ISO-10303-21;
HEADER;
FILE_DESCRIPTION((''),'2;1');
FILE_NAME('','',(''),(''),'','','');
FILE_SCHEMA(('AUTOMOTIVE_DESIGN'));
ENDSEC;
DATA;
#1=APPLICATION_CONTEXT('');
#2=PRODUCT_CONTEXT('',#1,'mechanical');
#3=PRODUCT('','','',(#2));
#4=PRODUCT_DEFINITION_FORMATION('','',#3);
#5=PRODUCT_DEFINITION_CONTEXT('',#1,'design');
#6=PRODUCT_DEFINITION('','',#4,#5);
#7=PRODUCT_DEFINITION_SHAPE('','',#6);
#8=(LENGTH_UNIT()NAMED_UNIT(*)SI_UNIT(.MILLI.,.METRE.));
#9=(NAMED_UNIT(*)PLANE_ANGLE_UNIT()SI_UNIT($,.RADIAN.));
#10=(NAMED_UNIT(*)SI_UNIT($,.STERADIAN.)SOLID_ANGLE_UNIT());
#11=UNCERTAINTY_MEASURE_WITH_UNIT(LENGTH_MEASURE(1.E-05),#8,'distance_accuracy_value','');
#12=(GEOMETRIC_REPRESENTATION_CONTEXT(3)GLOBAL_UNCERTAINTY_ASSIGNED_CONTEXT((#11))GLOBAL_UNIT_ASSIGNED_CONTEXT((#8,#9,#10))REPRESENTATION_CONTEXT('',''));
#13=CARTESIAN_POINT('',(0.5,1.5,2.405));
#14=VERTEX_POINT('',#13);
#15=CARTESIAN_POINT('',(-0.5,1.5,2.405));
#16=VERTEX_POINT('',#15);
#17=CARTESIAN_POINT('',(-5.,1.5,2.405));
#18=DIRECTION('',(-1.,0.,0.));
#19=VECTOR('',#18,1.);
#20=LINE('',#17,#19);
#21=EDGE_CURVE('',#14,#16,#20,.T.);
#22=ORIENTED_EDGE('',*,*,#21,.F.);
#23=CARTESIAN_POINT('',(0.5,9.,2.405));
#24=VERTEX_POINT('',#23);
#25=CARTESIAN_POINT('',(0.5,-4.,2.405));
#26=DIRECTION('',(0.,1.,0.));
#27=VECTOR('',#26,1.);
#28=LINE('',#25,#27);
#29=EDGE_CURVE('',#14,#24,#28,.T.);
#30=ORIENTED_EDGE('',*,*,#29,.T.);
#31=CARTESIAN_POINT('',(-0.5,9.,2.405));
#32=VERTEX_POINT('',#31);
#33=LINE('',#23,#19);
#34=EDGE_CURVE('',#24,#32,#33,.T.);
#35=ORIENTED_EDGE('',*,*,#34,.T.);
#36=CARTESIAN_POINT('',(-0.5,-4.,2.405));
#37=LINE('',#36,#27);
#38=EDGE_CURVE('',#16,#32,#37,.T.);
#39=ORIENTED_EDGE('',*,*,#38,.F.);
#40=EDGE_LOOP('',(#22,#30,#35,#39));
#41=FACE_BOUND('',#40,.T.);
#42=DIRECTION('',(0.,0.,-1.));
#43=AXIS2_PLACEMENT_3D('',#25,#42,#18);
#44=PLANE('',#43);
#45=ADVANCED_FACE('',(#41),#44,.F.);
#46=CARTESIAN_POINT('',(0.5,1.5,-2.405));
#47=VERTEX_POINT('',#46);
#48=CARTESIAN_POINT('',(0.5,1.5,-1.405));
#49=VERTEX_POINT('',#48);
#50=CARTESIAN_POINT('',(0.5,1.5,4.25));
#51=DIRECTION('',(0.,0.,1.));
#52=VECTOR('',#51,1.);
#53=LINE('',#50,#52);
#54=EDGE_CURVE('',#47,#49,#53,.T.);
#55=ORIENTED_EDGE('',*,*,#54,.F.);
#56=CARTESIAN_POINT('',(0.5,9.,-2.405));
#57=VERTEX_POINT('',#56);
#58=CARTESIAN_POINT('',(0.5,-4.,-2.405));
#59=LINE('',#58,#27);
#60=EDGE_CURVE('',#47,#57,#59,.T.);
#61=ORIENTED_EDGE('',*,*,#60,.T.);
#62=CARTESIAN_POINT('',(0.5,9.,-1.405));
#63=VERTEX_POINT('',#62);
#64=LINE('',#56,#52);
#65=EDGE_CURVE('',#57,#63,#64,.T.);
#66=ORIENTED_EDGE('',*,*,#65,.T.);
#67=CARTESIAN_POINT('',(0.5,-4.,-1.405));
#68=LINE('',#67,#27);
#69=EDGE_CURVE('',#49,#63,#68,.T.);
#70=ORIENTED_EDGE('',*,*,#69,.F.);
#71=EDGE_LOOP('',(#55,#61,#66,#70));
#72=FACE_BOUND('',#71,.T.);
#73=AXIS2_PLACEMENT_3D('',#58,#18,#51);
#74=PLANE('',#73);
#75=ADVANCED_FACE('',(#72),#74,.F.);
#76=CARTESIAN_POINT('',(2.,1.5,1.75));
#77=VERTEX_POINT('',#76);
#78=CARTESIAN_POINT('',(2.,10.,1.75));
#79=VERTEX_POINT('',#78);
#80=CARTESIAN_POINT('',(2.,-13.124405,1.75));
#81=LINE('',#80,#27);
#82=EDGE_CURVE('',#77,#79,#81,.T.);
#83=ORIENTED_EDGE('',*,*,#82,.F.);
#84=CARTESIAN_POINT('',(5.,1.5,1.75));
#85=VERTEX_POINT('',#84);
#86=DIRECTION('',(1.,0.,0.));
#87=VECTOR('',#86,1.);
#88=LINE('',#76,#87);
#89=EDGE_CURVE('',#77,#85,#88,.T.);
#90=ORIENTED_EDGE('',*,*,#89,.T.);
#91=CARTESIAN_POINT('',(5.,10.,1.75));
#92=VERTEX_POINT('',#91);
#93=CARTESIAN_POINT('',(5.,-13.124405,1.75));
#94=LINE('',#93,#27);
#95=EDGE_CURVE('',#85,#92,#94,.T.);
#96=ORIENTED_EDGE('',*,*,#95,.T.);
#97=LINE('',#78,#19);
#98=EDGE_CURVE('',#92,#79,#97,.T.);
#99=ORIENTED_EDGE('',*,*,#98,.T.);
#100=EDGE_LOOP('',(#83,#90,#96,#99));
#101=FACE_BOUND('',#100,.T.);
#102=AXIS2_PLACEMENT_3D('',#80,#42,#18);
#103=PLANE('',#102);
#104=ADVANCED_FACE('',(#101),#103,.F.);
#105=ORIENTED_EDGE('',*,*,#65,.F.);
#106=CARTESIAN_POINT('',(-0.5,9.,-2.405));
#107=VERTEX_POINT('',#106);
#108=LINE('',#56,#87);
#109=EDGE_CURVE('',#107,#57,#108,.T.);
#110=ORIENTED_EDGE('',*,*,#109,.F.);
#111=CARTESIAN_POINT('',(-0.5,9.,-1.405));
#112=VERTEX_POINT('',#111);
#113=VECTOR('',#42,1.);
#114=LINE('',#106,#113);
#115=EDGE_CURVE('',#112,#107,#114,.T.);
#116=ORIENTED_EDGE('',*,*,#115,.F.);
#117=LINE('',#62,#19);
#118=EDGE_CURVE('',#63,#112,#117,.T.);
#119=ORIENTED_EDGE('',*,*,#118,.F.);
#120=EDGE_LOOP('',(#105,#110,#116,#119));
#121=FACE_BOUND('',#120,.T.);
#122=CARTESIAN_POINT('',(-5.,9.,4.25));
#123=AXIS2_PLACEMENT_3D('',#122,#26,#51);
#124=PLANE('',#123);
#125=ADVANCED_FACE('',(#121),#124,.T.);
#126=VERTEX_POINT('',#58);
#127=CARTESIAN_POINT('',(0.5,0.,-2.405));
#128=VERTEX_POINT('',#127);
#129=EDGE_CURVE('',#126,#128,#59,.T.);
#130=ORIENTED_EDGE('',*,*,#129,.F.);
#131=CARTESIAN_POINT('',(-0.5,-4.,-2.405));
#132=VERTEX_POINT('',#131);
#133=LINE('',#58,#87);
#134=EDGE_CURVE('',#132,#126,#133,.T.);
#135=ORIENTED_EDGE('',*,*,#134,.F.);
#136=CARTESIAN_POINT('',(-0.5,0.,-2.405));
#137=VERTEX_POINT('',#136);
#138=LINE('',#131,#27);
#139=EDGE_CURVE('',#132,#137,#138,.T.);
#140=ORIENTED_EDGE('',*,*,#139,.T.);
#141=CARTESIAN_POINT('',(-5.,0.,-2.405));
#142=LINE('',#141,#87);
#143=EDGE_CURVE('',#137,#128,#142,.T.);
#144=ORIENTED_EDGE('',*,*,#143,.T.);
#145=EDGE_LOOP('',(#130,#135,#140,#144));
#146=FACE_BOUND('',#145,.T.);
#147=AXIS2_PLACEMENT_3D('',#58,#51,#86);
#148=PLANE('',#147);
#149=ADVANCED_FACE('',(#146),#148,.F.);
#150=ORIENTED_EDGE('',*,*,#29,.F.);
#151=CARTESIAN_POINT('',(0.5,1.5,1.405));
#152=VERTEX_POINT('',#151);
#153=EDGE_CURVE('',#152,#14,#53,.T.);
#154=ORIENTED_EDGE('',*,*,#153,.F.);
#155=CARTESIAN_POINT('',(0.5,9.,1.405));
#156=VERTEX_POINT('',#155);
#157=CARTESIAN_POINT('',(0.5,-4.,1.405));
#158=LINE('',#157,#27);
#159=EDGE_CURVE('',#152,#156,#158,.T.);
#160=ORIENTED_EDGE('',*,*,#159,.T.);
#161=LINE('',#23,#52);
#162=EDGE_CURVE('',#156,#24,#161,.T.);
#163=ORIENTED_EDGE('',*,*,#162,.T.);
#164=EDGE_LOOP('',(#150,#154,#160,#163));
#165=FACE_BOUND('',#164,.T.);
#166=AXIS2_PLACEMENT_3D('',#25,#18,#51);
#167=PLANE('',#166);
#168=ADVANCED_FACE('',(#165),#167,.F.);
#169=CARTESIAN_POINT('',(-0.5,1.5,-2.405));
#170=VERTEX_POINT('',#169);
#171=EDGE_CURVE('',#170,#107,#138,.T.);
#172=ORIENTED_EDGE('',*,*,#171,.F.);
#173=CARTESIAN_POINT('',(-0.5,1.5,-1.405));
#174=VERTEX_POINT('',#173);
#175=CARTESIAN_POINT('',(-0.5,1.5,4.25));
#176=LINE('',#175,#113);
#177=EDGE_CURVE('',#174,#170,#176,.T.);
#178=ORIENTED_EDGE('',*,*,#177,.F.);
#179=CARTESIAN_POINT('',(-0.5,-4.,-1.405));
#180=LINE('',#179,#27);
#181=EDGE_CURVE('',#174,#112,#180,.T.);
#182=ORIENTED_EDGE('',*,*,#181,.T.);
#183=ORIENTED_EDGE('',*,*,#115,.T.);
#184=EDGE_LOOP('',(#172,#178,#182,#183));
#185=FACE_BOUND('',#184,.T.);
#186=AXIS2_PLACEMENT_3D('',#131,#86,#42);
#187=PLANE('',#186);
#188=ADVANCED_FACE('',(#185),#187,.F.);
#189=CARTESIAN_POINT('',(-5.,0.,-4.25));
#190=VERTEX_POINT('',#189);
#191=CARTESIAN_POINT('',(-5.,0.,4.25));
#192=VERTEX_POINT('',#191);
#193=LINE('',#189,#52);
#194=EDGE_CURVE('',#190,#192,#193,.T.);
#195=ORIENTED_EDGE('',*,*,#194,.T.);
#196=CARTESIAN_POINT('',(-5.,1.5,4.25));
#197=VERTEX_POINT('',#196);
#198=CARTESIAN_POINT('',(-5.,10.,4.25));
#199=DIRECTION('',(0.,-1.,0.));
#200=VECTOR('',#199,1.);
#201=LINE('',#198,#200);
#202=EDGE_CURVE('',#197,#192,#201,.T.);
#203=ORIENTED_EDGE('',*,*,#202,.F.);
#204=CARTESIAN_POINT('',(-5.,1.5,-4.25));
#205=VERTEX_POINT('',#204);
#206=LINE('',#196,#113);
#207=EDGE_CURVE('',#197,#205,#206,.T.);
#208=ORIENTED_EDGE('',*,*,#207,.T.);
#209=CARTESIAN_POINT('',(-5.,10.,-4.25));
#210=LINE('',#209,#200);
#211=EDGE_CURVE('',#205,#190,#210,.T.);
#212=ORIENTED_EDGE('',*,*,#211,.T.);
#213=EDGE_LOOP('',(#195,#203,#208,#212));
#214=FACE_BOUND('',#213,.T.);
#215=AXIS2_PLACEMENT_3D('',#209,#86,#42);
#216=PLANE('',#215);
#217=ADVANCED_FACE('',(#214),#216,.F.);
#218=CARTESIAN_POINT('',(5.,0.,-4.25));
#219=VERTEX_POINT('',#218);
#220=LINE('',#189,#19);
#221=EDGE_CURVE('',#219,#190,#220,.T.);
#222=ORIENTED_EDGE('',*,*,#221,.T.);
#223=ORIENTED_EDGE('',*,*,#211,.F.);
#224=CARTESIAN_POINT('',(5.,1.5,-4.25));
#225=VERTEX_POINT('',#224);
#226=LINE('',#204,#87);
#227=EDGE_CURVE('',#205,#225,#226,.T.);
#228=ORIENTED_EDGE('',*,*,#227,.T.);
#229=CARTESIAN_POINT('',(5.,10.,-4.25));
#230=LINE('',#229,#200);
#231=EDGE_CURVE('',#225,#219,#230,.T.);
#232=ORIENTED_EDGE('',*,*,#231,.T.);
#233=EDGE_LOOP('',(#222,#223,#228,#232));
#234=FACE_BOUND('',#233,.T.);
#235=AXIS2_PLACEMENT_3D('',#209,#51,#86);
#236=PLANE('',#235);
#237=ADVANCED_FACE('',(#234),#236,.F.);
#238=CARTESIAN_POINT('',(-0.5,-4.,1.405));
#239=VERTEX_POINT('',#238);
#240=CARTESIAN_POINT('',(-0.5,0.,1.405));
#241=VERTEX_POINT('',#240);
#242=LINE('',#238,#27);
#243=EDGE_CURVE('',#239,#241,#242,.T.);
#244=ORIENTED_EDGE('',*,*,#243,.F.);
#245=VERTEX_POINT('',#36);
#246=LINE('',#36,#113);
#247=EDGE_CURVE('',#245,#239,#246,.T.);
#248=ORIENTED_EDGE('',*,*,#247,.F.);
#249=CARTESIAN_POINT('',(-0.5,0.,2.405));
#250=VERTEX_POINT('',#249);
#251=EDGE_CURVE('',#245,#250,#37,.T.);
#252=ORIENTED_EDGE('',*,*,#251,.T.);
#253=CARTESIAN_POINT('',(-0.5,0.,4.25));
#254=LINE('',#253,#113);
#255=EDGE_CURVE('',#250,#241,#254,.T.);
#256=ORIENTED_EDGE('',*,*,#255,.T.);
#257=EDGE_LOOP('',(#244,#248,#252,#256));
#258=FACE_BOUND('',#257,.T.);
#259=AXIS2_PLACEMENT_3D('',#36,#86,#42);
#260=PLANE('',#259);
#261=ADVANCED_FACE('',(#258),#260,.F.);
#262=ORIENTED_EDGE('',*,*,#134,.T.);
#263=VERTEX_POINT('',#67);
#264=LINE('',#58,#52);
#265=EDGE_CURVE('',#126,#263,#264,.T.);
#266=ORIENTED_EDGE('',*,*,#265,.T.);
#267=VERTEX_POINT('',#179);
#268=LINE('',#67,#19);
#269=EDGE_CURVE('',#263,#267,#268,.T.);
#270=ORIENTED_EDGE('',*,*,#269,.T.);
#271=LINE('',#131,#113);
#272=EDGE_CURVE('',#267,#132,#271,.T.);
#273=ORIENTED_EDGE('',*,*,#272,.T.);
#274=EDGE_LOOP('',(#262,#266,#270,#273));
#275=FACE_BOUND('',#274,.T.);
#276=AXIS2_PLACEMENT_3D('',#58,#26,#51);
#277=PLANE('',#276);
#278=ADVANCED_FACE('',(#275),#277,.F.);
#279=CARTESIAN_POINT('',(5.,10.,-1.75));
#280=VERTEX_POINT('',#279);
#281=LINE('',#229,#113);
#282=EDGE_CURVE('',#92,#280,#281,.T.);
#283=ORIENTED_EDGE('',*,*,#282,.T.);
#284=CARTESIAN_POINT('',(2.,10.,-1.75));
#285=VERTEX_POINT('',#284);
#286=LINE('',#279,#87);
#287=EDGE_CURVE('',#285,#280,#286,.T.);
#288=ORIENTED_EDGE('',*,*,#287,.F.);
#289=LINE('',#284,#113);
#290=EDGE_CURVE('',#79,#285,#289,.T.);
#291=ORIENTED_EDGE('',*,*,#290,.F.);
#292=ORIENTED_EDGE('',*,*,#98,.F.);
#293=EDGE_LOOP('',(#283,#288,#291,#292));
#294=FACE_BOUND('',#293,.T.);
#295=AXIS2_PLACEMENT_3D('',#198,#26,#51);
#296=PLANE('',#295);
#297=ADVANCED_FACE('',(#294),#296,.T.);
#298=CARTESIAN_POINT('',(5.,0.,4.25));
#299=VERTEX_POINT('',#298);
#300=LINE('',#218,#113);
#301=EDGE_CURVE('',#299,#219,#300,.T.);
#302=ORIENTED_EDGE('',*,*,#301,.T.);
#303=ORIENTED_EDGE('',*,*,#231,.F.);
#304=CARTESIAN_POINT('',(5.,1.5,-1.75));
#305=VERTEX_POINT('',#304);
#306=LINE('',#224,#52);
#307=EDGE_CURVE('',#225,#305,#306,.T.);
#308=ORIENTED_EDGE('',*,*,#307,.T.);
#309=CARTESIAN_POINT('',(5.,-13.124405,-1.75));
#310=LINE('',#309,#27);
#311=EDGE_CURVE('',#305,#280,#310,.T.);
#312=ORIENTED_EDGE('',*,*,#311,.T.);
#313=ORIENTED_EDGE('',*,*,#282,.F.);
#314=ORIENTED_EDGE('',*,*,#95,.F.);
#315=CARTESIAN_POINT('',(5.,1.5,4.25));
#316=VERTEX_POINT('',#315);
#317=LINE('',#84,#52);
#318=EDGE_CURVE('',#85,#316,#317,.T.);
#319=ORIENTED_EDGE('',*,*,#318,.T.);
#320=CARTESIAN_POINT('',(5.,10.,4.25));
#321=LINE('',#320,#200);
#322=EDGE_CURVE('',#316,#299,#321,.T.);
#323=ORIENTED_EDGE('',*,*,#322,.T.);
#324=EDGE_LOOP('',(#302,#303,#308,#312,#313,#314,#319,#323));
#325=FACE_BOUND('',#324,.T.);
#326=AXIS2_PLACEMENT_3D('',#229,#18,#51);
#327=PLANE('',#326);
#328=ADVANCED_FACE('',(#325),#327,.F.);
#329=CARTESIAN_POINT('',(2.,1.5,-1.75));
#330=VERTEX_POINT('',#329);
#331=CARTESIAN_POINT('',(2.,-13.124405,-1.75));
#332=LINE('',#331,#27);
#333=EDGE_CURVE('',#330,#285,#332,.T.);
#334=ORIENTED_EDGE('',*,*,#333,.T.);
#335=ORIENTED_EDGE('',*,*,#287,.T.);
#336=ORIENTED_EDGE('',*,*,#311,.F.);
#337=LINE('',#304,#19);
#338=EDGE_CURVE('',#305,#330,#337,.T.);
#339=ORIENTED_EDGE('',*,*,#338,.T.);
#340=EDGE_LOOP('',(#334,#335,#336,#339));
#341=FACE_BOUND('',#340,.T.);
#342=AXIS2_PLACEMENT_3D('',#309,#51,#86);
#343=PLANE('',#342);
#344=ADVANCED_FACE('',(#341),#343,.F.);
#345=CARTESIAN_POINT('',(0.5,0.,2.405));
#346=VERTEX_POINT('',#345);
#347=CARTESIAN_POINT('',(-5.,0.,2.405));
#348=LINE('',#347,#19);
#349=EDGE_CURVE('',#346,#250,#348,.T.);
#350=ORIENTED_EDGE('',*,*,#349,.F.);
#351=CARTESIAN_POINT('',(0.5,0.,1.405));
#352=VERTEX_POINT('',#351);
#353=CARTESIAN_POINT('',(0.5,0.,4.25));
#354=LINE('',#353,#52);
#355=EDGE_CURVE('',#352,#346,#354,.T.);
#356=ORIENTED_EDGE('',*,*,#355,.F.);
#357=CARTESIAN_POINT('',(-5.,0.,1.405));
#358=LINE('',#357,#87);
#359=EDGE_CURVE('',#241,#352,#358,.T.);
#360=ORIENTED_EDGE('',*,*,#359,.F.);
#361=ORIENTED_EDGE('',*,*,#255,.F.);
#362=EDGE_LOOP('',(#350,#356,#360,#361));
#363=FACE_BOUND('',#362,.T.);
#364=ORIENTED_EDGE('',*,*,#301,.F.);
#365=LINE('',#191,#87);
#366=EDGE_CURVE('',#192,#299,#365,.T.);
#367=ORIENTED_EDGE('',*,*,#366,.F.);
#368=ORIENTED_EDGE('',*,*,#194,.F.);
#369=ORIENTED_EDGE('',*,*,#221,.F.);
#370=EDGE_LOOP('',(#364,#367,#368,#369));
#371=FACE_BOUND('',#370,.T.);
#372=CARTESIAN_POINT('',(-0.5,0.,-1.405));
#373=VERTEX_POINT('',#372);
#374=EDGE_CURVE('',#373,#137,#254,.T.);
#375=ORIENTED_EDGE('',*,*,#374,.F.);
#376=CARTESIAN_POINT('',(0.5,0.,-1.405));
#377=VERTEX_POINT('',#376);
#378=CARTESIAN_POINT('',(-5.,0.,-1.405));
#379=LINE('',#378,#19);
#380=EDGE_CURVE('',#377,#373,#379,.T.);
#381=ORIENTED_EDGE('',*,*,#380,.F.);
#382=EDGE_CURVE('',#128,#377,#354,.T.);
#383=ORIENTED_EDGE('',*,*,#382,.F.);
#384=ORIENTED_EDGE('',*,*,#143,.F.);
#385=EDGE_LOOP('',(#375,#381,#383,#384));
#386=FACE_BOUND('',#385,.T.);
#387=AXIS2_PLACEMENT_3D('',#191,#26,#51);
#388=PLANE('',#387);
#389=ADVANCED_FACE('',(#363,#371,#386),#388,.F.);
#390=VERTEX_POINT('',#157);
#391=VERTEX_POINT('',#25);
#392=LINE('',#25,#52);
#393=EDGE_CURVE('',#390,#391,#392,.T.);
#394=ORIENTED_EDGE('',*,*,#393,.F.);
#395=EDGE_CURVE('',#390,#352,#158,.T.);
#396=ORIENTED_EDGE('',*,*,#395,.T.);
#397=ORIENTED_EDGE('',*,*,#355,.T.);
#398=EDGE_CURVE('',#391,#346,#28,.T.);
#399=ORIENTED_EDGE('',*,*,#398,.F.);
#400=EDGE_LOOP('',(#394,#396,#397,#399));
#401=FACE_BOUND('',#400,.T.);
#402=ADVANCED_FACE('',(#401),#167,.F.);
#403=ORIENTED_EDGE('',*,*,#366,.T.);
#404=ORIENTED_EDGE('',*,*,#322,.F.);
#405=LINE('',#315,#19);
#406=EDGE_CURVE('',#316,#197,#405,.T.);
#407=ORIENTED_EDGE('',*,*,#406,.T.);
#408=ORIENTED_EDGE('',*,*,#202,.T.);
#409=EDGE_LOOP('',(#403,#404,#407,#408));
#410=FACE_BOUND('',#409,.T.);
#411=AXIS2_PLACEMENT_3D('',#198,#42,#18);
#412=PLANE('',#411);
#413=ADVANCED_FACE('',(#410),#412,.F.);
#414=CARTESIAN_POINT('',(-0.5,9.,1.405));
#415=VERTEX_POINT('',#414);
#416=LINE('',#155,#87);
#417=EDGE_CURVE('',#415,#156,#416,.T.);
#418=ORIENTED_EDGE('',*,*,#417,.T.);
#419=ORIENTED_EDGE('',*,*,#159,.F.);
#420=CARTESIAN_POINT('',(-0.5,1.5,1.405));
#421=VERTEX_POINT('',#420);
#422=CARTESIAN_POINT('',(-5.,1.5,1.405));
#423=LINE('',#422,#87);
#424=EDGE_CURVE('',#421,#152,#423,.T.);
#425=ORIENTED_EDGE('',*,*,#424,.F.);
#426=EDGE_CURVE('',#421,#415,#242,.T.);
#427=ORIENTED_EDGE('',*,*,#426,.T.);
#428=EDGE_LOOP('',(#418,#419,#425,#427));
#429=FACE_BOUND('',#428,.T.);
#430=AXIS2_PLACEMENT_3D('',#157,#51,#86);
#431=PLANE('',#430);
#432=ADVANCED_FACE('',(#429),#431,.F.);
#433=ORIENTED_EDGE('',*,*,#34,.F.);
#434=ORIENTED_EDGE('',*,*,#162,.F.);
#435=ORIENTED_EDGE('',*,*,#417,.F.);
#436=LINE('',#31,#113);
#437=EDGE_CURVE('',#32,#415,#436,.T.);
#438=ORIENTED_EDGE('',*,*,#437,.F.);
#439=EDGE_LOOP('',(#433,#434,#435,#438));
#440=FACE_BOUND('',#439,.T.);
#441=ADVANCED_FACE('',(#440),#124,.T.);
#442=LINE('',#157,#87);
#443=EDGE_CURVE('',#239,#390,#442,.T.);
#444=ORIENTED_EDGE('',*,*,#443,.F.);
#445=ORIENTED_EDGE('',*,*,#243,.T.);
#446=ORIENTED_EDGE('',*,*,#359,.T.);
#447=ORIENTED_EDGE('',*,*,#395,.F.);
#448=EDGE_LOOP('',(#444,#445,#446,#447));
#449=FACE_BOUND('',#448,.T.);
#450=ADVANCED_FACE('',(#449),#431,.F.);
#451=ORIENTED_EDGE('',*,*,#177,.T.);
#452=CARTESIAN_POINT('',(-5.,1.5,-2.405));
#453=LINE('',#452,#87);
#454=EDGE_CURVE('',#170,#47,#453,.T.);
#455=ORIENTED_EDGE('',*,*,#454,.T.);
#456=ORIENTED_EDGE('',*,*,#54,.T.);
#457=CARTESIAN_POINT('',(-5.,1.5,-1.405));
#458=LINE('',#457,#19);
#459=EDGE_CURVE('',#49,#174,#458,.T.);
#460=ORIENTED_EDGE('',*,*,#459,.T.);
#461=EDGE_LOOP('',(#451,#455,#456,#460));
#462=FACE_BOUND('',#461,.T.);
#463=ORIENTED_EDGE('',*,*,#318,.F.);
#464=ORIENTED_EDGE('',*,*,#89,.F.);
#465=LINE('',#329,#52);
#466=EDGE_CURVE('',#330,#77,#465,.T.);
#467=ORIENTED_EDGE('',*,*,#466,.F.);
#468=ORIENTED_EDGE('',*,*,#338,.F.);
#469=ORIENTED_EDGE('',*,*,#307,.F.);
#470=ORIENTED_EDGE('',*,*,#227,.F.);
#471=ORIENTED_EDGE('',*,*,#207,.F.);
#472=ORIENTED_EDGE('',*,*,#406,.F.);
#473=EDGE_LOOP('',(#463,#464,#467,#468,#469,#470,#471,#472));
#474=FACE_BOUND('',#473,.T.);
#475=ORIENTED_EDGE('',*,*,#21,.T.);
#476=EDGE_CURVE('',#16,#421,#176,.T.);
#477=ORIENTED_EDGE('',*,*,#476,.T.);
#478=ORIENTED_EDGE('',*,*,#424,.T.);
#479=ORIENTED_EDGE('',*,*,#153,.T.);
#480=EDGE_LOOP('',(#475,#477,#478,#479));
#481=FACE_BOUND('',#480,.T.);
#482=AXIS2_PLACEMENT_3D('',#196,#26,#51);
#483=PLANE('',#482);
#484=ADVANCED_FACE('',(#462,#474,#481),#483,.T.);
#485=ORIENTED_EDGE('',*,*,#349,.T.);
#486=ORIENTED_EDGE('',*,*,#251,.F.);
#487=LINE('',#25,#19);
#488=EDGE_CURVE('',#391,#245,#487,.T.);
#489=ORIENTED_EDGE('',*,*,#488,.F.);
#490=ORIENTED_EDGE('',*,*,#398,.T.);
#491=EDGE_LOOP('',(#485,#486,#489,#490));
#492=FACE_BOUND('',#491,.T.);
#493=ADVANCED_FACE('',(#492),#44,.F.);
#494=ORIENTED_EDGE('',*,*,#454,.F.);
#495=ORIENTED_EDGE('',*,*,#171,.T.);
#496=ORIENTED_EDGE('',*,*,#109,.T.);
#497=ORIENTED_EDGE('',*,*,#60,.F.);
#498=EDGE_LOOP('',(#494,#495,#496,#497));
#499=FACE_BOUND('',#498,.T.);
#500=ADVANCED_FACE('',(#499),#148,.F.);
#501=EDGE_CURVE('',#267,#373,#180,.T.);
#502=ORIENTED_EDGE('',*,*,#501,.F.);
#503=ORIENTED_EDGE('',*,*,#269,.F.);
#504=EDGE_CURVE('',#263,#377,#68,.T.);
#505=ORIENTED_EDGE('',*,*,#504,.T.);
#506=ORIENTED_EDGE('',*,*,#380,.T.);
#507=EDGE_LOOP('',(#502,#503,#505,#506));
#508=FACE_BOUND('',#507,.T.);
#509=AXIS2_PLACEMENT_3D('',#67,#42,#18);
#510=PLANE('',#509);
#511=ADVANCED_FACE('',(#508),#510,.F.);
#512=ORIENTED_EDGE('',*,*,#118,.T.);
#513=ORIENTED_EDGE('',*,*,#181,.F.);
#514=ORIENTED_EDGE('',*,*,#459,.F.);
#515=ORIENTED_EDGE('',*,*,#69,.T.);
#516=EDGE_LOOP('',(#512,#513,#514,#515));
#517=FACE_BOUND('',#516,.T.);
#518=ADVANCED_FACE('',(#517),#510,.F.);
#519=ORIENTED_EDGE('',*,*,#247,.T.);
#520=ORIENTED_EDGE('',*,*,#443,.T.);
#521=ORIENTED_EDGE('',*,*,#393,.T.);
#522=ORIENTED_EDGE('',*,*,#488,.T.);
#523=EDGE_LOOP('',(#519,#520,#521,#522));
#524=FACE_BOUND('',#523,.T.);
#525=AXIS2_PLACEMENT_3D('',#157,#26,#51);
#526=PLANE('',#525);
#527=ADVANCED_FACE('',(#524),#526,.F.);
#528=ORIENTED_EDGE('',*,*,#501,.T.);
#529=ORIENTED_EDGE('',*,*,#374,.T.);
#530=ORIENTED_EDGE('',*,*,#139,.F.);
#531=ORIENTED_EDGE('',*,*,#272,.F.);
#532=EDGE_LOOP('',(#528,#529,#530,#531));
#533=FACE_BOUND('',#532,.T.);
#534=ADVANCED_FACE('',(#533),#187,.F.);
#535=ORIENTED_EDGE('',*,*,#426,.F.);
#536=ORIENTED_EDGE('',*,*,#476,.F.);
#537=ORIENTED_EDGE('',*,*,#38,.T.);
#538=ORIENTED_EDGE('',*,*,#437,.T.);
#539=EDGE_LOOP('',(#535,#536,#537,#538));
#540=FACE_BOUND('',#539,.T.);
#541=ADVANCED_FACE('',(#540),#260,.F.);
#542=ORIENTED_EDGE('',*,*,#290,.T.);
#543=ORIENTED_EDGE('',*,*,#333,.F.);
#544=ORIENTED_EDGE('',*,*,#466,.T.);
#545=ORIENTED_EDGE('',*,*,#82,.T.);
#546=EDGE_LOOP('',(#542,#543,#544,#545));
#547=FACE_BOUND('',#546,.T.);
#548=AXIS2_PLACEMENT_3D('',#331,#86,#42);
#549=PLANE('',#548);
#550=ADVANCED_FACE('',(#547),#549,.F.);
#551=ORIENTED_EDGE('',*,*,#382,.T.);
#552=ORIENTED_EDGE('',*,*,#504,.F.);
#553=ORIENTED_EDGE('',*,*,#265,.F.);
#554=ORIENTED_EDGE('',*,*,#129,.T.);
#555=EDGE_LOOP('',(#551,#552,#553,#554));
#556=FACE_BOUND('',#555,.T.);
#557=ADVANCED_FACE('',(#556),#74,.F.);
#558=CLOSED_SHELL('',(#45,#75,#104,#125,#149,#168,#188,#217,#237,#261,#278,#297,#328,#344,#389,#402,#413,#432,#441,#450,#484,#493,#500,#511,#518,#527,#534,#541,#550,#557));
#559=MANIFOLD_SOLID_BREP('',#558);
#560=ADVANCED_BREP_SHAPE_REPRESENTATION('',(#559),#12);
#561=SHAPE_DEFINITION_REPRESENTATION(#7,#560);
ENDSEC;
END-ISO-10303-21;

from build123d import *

# Parameters (mm, degrees)
SKETCH_1_W           = 10
SKETCH_1_H           = 8.5
EXTRUDE_1_DEPTH      = 10
CUT_EXTRUDE_1_DEPTH  = 8.5
EXTRUDE_2_DEPTH      = 4
EXTRUDE_2_DEPTH_BACK = 9
SKETCH_3_W           = 1
SKETCH_3_H           = 1


with BuildPart() as part:
    # 草图1 → 拉伸1 (new body)
    with BuildSketch(Plane(origin=(0, 0, 0), x_dir=(1, 0, 0), z_dir=(0, 1, 0))):
        Rectangle(SKETCH_1_W, SKETCH_1_H)
    extrude(amount=EXTRUDE_1_DEPTH)

    # 草图2 → 切除-拉伸1 (cut)
    with BuildSketch(Plane(origin=(0, 10, 0), x_dir=(-1, 0, 0), z_dir=(0, 1, 0))):
        Polygon((-5, 1.75), (-5, 4.25), (5, 4.25), (5, -4.25), (-5, -4.25), (-5, -1.75), (-2, -1.75), (-2, 1.75), align=None)
    extrude(amount=-CUT_EXTRUDE_1_DEPTH, mode=Mode.SUBTRACT)

    # 草图3 → 拉伸2 (add, two sides: drawn at the far end of the back side and taken through both)
    with BuildSketch(Plane.XZ.offset(-EXTRUDE_2_DEPTH_BACK)):
        with Locations((0, 1.905)):
            Rectangle(SKETCH_3_W, SKETCH_3_H)
        with Locations((0, -1.905)):
            Rectangle(SKETCH_3_W, SKETCH_3_H)
    extrude(amount=EXTRUDE_2_DEPTH + EXTRUDE_2_DEPTH_BACK)


solid = part.part
